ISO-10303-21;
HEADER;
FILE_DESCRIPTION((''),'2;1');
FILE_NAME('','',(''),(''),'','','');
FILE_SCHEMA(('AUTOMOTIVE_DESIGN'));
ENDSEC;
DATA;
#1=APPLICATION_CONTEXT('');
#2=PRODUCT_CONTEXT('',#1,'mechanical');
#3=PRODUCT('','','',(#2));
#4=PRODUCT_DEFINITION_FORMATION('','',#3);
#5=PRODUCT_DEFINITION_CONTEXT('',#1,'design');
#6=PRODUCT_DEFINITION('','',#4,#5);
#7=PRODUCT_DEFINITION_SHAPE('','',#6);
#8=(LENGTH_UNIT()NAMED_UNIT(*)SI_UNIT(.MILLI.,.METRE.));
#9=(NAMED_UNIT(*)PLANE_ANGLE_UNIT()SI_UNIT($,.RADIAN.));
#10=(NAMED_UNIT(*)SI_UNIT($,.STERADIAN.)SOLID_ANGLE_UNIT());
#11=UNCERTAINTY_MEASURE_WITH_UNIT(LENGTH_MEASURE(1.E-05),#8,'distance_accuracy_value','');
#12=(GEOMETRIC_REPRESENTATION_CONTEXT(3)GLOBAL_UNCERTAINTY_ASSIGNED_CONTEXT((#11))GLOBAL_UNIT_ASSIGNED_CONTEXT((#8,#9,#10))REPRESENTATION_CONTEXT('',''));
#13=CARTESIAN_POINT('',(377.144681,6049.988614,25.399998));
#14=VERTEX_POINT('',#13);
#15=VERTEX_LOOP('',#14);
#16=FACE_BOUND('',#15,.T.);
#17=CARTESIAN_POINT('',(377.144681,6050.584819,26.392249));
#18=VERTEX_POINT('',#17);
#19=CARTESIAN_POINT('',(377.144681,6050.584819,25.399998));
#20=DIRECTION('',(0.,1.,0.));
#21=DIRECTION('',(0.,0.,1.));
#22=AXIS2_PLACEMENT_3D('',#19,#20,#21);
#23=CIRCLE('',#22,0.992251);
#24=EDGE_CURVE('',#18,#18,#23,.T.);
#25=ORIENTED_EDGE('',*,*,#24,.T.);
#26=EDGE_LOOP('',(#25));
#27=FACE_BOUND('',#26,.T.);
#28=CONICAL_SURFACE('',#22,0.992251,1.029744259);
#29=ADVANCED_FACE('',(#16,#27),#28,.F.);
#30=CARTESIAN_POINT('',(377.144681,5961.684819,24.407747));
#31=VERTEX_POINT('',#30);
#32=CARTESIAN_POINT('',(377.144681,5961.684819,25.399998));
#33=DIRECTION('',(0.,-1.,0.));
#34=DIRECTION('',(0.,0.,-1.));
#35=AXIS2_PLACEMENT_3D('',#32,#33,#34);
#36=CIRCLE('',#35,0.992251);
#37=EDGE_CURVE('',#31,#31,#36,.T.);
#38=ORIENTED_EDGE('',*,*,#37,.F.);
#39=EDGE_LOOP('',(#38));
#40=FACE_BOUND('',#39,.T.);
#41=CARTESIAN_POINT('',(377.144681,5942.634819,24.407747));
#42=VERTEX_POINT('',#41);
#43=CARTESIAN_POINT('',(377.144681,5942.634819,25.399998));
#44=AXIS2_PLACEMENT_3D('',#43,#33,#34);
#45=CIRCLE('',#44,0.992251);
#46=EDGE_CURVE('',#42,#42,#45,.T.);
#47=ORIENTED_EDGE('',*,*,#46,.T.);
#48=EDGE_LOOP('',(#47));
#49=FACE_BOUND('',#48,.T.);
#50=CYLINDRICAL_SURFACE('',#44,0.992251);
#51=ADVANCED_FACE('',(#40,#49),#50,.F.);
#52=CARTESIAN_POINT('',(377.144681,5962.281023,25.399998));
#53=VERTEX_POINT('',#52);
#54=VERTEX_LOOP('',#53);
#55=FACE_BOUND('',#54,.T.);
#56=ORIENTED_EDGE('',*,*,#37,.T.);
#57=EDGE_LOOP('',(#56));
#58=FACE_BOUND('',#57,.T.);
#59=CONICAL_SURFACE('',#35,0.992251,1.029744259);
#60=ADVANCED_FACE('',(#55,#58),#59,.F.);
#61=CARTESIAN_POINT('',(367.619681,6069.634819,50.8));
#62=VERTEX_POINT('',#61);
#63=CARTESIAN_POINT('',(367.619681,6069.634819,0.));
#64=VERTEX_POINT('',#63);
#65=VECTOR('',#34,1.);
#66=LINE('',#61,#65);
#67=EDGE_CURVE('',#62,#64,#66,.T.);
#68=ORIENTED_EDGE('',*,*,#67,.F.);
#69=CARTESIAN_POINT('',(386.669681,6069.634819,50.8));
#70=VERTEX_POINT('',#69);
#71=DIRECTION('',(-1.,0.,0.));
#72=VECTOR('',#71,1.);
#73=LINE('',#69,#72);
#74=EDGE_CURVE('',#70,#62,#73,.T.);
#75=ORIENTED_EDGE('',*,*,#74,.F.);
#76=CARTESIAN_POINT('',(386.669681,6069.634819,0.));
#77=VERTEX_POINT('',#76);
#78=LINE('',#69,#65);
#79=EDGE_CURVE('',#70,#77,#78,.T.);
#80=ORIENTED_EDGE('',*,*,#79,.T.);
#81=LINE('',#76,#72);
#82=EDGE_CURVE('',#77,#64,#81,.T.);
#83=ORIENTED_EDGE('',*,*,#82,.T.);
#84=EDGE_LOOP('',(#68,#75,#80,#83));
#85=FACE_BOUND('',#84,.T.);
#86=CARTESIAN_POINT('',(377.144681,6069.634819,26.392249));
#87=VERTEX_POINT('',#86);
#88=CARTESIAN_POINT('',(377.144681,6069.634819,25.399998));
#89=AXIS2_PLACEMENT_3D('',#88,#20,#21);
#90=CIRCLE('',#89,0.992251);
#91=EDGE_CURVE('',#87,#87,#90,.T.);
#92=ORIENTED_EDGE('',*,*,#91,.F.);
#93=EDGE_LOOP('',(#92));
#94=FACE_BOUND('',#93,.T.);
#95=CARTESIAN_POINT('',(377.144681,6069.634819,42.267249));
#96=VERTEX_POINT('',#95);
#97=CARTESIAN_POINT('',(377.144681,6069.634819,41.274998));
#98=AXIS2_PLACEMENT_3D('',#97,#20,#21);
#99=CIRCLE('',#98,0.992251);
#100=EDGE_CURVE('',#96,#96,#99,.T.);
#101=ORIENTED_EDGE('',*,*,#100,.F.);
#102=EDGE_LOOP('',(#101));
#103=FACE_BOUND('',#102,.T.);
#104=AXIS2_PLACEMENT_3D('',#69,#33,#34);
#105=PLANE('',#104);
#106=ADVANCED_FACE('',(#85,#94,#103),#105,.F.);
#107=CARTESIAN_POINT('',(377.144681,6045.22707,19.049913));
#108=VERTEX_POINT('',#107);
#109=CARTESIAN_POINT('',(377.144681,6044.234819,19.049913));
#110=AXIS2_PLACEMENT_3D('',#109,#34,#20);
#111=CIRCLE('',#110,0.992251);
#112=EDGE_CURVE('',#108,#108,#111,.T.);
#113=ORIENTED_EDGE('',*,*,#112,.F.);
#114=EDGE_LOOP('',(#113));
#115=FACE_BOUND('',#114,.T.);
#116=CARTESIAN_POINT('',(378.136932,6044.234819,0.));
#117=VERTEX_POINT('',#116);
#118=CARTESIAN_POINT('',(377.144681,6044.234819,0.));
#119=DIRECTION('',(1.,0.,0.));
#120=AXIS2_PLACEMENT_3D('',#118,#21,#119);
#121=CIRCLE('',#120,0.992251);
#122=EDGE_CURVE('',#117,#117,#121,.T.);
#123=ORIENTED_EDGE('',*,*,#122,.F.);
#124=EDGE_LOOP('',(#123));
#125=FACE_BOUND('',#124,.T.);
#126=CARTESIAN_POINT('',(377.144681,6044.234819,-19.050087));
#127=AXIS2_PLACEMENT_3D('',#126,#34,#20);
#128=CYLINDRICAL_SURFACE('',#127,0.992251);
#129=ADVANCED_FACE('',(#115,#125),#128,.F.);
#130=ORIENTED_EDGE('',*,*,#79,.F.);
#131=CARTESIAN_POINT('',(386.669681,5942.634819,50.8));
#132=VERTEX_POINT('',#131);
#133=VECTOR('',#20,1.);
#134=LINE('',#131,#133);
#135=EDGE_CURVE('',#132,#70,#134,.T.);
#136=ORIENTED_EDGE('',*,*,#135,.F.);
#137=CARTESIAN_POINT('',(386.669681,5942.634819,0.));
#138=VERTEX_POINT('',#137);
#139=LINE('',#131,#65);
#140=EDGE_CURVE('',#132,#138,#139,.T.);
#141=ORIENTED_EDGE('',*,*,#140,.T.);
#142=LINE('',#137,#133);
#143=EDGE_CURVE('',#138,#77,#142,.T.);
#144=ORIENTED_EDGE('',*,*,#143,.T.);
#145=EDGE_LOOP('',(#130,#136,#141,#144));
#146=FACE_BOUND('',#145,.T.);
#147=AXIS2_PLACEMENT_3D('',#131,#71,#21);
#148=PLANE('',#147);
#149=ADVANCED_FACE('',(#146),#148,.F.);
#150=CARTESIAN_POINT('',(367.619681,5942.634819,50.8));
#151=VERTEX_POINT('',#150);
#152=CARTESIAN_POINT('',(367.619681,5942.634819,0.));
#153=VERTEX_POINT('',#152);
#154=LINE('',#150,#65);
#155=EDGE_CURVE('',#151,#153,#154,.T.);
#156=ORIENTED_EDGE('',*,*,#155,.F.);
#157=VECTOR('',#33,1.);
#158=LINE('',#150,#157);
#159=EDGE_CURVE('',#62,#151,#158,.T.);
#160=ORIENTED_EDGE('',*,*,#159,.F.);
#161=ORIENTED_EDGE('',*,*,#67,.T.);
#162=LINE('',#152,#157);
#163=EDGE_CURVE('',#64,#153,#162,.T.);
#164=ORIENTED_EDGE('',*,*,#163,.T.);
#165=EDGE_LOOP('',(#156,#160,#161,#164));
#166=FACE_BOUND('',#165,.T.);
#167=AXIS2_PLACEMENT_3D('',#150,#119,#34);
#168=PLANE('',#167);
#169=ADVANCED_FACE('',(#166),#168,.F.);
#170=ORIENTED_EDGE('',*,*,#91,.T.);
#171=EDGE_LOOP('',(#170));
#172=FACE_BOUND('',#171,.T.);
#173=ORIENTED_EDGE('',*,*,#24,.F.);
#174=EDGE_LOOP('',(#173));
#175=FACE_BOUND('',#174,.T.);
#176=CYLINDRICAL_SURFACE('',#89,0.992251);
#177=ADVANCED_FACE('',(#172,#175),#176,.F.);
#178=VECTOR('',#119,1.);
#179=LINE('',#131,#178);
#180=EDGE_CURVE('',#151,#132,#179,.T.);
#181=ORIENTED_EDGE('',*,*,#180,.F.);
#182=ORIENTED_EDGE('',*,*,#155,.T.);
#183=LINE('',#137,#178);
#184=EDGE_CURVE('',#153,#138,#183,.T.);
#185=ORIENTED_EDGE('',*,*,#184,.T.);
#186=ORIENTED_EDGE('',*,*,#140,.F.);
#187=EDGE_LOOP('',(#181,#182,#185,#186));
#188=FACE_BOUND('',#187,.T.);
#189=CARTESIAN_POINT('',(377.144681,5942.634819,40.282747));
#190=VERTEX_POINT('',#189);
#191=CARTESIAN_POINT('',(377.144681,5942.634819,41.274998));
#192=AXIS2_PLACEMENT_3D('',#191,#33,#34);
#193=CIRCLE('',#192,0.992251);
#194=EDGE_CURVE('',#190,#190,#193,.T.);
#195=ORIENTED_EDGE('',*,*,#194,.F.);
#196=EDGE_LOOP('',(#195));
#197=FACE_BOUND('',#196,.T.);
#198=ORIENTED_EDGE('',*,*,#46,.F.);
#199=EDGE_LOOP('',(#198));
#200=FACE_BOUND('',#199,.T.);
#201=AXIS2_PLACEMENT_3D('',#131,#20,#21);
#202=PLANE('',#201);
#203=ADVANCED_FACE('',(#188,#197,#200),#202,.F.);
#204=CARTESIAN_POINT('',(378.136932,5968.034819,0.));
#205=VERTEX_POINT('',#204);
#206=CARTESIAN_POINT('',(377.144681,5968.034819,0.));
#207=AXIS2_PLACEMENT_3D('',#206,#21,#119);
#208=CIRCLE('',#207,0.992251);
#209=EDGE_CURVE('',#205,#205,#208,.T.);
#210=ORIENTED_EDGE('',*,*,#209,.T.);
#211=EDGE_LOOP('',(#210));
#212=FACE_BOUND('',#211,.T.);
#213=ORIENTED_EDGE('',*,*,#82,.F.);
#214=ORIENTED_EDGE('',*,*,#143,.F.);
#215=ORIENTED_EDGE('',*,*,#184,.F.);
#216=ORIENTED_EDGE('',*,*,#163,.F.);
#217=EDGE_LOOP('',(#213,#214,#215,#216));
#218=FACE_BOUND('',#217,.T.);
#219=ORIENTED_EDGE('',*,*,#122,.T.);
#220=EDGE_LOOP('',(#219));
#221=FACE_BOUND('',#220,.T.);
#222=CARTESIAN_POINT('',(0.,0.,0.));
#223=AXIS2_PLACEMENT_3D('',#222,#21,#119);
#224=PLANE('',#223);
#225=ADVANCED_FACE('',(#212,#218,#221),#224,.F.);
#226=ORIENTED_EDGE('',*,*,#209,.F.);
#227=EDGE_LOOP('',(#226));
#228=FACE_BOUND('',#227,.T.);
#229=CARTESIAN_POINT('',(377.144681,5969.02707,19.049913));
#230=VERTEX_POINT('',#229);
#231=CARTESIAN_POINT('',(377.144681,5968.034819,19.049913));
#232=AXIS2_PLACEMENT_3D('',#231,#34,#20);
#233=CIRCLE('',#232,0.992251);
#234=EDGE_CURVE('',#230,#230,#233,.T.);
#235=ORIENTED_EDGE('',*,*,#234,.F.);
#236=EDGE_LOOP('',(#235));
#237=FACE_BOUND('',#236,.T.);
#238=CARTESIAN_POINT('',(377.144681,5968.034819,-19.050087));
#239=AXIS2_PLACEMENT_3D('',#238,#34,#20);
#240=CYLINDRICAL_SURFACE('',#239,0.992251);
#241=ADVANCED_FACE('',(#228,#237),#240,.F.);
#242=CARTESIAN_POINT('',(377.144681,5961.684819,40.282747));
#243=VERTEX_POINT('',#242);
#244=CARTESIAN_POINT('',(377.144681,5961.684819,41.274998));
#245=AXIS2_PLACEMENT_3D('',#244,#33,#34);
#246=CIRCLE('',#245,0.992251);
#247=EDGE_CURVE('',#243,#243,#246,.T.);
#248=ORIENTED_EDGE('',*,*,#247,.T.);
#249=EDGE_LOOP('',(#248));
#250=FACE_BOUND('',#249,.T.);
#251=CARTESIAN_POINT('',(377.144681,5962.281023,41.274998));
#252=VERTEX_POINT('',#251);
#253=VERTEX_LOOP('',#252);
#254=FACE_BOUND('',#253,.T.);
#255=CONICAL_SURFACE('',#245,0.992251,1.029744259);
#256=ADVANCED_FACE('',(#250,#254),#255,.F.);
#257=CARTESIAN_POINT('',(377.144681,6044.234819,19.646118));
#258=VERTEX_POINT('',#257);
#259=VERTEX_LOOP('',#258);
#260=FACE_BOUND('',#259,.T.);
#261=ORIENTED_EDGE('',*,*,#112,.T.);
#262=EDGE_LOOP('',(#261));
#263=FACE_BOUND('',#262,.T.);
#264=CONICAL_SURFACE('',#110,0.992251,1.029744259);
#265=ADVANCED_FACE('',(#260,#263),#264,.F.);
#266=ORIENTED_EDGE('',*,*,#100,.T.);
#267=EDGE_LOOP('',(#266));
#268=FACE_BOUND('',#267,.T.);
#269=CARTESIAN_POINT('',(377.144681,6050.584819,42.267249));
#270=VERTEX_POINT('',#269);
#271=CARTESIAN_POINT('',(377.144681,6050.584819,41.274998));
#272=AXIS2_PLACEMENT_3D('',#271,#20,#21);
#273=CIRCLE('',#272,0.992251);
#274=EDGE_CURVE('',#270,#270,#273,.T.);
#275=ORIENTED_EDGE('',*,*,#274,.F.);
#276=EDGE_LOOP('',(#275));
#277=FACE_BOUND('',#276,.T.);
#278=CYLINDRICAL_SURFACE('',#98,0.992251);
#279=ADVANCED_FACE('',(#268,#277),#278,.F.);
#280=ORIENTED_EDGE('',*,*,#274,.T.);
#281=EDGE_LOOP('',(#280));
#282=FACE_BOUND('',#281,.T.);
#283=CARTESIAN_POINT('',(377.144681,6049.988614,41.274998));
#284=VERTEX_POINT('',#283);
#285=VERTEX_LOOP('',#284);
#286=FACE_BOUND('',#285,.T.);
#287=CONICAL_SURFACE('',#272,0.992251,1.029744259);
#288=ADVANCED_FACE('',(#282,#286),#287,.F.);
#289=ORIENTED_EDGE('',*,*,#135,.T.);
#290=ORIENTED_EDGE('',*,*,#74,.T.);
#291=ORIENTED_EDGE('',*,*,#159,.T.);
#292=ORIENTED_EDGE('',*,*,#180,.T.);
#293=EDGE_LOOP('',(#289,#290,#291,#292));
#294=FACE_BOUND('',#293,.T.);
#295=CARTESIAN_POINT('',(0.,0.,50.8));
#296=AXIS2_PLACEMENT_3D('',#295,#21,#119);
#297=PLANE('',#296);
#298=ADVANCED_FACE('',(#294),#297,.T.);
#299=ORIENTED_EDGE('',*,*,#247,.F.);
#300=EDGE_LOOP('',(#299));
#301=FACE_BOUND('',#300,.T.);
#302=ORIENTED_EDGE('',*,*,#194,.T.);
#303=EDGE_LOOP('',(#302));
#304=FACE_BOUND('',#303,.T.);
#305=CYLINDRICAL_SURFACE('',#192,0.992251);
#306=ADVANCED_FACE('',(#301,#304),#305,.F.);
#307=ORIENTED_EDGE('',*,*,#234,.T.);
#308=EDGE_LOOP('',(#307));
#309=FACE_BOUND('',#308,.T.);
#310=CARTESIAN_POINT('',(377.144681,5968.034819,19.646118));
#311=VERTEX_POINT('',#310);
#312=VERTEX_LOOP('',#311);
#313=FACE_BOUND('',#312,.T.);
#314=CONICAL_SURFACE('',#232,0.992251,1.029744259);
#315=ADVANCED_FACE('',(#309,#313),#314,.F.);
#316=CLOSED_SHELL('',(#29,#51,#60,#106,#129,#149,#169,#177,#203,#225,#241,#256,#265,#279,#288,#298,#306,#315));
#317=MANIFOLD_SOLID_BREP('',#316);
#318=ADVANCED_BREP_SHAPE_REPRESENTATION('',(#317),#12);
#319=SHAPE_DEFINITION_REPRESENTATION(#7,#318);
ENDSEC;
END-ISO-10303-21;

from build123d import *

# Parameters (mm, degrees)
SKETCH1_W                           = 19.05
SKETCH1_H                           = 126.999999888
BOSS_EXTRUDE1_DEPTH                 = 50.8
F_5_64_0_07813_DIAMETER_HOLE1_D     = 1.984502
F_5_64_0_07813_DIAMETER_HOLE1_DEPTH = 38.1
F_5_64_0_07813_DIAMETER_HOLE1_TIP   = 0.59620455
F_5_64_0_07813_DIAMETER_HOLE6_D     = 1.984502
F_5_64_0_07813_DIAMETER_HOLE6_DEPTH = 19.05
F_5_64_0_07813_DIAMETER_HOLE6_TIP   = 0.59620455
F_5_64_0_07813_DIAMETER_HOLE7_D     = 1.984502
F_5_64_0_07813_DIAMETER_HOLE7_DEPTH = 19.05
F_5_64_0_07813_DIAMETER_HOLE7_TIP   = 0.59620455


with BuildPart() as part:
    # Sketch1 → Boss-Extrude1 (new body)
    with BuildSketch(Plane.XY):
        with Locations((377.144680647, 6006.134818763)):
            Rectangle(SKETCH1_W, SKETCH1_H)
    extrude(amount=BOSS_EXTRUDE1_DEPTH)

    # 5/64 (0.07813) Diameter Hole1
    with Locations(Plane(origin=(-83.853965539, -12.395181178, -19.050087596), x_dir=(-1, 0, 0), z_dir=(0, 0, -1))):
        with Locations((-481.589248274, 6993.254992531), (-386.339248274, 6993.254992531), (-291.089248274, 6993.254992531), (-295.274999999, 6965.135938475), (-295.274999999, 6812.735938475), (-295.274999999, 6660.335938474), (-285.166362357, 6631.468843414), (-475.477307398, 6631.468752771), (-485.002307398, 6660.335938474), (-485.002307398, 6812.735938474), (-485.002307398, 6965.135938474), (-478.365617646, 6611.6708), (-287.865617646, 6611.6708), (-307.975, 6564.3379), (-307.975, 6488.1379), (-284.960913066, 6440.805), (-380.210913066, 6440.805), (-475.460913066, 6440.805), (-446.831312422, 6488.1379), (-446.831312422, 6564.3379), (-472.231312422, 6396.355), (-472.231312422, 6320.155), (-472.653156211, 6275.705000839), (-377.403156211, 6275.705000839), (-282.153156211, 6275.705000839), (-282.575, 6320.155), (-282.575, 6396.355), (-435.598646187, 6221.729999816), (-435.598646187, 6145.529999816), (-450.592518112, 6091.554999951), (-460.998646187, 6091.555478285), (-460.998646187, 6056.629999944), (-460.998646187, 5980.429999944), (-460.998646187, 5945.505000042), (-282.153156211, 5945.505000042), (-368.611823093, 5945.505000042)):
            Hole(F_5_64_0_07813_DIAMETER_HOLE1_D / 2, depth=F_5_64_0_07813_DIAMETER_HOLE1_DEPTH)
            with Locations((0, 0, -(F_5_64_0_07813_DIAMETER_HOLE1_DEPTH + F_5_64_0_07813_DIAMETER_HOLE1_TIP / 2))):  # 118° drill point
                Cone(0, F_5_64_0_07813_DIAMETER_HOLE1_D / 2, F_5_64_0_07813_DIAMETER_HOLE1_TIP, mode=Mode.SUBTRACT)

    # 5/64 (0.07813) Diameter Hole6
    with Locations(Plane(origin=(0, 5942.634818819, 0), x_dir=(-1, 0, 0), z_dir=(0, -1, 0))):
        with Locations((-377.144680647, -41.274997961), (-377.144680647, -25.399997961)):
            Hole(F_5_64_0_07813_DIAMETER_HOLE6_D / 2, depth=F_5_64_0_07813_DIAMETER_HOLE6_DEPTH)
            with Locations((0, 0, -(F_5_64_0_07813_DIAMETER_HOLE6_DEPTH + F_5_64_0_07813_DIAMETER_HOLE6_TIP / 2))):  # 118° drill point
                Cone(0, F_5_64_0_07813_DIAMETER_HOLE6_D / 2, F_5_64_0_07813_DIAMETER_HOLE6_TIP, mode=Mode.SUBTRACT)

    # 5/64 (0.07813) Diameter Hole7
    with Locations(Plane(origin=(0, 6069.634818707, 0), x_dir=(1, 0, 0), z_dir=(0, 1, 0))):
        with Locations((377.144680647, -41.274997961), (377.144680647, -25.399997961)):
            Hole(F_5_64_0_07813_DIAMETER_HOLE7_D / 2, depth=F_5_64_0_07813_DIAMETER_HOLE7_DEPTH)
            with Locations((0, 0, -(F_5_64_0_07813_DIAMETER_HOLE7_DEPTH + F_5_64_0_07813_DIAMETER_HOLE7_TIP / 2))):  # 118° drill point
                Cone(0, F_5_64_0_07813_DIAMETER_HOLE7_D / 2, F_5_64_0_07813_DIAMETER_HOLE7_TIP, mode=Mode.SUBTRACT)


solid = part.part
